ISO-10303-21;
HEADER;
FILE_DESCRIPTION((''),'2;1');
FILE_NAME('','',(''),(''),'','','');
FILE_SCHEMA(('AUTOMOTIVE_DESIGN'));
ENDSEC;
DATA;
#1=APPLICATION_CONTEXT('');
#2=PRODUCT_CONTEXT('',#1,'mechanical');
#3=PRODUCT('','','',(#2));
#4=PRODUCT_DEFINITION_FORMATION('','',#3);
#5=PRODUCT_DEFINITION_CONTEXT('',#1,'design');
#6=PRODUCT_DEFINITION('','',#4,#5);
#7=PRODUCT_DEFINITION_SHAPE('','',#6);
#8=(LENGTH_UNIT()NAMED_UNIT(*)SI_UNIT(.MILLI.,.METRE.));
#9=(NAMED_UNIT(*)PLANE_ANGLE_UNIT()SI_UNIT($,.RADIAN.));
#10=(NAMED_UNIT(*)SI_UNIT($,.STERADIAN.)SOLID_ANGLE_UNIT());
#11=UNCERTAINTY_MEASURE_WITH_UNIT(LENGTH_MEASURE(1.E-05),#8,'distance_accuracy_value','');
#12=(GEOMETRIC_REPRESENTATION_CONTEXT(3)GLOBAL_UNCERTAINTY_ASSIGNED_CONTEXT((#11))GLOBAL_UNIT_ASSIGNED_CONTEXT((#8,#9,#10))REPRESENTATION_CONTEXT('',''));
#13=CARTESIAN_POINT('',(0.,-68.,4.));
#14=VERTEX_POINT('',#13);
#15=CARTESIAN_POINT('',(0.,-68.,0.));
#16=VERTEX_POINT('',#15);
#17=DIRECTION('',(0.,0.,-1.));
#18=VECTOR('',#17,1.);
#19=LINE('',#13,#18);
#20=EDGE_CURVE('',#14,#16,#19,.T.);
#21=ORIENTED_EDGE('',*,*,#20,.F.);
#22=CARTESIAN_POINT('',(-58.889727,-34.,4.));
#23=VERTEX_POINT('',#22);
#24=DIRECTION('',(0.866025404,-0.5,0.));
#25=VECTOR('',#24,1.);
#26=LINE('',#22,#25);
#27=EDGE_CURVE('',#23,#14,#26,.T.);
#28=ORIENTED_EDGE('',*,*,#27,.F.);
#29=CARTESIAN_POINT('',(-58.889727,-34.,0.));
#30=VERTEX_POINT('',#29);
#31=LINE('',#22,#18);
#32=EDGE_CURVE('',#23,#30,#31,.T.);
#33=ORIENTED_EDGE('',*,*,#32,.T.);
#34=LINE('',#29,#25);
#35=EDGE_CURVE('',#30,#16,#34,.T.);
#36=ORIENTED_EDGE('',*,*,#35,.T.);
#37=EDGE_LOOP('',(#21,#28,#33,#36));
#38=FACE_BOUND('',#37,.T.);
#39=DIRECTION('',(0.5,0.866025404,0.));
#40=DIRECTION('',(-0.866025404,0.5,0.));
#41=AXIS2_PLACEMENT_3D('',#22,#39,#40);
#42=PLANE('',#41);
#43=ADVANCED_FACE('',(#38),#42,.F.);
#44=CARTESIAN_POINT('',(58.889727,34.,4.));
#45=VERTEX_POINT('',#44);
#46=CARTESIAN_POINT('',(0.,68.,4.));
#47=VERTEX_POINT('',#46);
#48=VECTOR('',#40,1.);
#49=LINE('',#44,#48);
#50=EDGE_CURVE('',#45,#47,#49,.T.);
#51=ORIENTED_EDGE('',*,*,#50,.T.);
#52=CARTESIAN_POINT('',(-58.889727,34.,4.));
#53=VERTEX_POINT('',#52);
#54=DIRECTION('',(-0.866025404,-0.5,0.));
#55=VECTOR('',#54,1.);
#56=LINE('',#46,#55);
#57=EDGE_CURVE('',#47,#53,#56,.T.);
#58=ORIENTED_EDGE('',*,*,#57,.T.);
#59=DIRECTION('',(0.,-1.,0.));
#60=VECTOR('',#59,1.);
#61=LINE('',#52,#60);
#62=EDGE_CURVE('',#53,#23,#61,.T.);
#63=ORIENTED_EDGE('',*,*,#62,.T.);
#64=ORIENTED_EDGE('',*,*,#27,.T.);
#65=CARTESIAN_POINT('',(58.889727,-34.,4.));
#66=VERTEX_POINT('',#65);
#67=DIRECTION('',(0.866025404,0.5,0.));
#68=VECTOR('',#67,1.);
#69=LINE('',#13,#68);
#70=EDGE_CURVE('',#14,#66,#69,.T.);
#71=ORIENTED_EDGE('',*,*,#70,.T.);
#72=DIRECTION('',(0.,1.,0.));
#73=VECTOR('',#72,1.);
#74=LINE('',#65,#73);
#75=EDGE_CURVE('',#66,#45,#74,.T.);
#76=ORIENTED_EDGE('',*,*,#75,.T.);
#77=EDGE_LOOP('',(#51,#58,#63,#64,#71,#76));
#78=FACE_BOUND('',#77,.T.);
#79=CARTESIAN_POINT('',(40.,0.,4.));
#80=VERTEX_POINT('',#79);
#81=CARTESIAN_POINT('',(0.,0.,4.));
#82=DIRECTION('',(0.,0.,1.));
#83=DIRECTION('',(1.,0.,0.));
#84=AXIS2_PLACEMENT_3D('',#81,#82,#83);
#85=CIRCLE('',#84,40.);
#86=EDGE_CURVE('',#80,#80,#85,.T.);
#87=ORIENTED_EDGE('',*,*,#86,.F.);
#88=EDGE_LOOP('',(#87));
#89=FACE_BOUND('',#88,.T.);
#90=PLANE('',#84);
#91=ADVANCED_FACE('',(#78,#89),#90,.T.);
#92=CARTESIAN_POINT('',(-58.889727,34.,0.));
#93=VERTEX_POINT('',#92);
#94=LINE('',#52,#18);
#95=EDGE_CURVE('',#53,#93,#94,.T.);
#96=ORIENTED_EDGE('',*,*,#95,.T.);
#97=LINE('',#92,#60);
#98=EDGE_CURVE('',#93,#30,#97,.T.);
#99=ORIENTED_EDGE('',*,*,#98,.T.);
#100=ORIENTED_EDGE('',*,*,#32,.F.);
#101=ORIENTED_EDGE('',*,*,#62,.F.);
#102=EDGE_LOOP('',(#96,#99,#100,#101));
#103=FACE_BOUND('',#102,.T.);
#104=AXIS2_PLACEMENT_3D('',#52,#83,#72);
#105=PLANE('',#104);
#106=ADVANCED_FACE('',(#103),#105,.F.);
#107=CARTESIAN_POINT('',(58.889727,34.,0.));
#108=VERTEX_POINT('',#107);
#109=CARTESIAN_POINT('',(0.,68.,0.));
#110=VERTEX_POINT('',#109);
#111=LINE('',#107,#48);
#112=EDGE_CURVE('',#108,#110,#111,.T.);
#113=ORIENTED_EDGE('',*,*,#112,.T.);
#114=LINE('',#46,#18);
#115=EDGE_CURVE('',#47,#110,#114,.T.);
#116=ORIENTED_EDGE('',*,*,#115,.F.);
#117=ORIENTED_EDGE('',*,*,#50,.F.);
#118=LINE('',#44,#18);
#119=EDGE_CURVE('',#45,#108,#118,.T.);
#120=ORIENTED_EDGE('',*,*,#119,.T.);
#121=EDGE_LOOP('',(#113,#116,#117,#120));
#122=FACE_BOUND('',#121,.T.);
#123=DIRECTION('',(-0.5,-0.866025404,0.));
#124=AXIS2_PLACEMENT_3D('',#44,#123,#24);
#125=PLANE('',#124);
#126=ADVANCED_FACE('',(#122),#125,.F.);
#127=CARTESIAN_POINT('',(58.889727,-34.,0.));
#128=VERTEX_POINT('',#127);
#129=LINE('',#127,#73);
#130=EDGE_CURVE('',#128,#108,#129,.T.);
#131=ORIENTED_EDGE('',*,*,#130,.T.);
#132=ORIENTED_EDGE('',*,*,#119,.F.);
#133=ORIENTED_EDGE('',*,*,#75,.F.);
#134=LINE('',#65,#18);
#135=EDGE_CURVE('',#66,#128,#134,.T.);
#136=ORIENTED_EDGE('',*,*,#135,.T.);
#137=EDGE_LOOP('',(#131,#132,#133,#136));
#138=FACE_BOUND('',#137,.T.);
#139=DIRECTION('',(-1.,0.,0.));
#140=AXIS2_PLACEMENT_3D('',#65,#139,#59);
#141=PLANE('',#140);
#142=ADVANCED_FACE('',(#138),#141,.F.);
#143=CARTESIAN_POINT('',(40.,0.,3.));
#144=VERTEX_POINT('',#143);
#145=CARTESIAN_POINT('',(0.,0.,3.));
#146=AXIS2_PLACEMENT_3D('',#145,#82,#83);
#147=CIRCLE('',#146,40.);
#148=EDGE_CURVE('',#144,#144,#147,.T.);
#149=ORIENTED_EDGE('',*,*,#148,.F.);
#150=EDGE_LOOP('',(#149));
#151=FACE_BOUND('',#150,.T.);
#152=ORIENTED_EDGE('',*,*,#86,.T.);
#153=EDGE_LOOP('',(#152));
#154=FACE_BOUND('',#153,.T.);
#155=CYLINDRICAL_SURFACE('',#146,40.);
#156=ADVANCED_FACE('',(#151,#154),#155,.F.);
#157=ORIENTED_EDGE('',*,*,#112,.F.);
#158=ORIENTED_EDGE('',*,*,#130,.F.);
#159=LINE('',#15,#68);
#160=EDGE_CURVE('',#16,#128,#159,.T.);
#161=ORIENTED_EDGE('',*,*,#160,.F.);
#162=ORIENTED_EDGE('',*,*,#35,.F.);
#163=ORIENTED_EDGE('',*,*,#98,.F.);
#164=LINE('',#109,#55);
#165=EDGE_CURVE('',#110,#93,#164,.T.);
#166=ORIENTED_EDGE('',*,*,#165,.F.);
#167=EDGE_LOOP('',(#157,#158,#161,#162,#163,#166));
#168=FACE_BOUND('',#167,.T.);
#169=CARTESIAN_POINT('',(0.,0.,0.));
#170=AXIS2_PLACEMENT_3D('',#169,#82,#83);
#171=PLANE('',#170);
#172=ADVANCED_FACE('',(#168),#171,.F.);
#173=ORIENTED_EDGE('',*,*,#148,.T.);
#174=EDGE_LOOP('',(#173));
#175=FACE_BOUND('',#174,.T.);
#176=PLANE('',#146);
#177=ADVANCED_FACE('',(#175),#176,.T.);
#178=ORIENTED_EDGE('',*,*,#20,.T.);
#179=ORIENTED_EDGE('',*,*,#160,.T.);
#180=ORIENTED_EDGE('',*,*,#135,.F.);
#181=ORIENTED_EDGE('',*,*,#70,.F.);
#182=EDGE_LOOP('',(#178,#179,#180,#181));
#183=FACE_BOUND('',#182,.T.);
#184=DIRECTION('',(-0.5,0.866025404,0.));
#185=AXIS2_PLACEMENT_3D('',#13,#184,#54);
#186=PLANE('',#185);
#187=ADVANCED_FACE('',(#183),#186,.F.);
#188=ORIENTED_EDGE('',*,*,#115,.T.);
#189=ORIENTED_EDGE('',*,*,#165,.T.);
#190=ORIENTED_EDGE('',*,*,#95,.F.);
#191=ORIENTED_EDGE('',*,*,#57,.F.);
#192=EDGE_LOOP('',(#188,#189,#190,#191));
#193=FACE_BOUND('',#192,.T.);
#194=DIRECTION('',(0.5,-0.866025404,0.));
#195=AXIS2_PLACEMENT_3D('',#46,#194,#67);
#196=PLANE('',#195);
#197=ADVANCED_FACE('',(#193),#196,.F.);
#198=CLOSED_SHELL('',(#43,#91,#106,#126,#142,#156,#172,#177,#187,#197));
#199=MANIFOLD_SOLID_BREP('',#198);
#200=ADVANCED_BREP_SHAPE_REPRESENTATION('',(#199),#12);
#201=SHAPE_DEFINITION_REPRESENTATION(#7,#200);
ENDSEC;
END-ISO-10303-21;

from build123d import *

# Parameters (mm, degrees)
EXTRUDE_1_DEPTH     = 4
SKETCH_2_R          = 40
CUT_EXTRUDE_1_DEPTH = 1


with BuildPart() as part:
    # 스케치1 → 보스-돌출1 (new body)
    with BuildSketch(Plane.XY):
        Polygon((58.889727457, -34), (58.889727457, 34), (0, 68), (-58.889727457, 34), (-58.889727457, -34), (0, -68), align=None)
    extrude(amount=EXTRUDE_1_DEPTH)

    # 스케치2 → 컷-돌출1 (cut)
    with BuildSketch(Plane.XY.offset(4)):
        Circle(SKETCH_2_R)
    extrude(amount=-CUT_EXTRUDE_1_DEPTH, mode=Mode.SUBTRACT)


solid = part.part
